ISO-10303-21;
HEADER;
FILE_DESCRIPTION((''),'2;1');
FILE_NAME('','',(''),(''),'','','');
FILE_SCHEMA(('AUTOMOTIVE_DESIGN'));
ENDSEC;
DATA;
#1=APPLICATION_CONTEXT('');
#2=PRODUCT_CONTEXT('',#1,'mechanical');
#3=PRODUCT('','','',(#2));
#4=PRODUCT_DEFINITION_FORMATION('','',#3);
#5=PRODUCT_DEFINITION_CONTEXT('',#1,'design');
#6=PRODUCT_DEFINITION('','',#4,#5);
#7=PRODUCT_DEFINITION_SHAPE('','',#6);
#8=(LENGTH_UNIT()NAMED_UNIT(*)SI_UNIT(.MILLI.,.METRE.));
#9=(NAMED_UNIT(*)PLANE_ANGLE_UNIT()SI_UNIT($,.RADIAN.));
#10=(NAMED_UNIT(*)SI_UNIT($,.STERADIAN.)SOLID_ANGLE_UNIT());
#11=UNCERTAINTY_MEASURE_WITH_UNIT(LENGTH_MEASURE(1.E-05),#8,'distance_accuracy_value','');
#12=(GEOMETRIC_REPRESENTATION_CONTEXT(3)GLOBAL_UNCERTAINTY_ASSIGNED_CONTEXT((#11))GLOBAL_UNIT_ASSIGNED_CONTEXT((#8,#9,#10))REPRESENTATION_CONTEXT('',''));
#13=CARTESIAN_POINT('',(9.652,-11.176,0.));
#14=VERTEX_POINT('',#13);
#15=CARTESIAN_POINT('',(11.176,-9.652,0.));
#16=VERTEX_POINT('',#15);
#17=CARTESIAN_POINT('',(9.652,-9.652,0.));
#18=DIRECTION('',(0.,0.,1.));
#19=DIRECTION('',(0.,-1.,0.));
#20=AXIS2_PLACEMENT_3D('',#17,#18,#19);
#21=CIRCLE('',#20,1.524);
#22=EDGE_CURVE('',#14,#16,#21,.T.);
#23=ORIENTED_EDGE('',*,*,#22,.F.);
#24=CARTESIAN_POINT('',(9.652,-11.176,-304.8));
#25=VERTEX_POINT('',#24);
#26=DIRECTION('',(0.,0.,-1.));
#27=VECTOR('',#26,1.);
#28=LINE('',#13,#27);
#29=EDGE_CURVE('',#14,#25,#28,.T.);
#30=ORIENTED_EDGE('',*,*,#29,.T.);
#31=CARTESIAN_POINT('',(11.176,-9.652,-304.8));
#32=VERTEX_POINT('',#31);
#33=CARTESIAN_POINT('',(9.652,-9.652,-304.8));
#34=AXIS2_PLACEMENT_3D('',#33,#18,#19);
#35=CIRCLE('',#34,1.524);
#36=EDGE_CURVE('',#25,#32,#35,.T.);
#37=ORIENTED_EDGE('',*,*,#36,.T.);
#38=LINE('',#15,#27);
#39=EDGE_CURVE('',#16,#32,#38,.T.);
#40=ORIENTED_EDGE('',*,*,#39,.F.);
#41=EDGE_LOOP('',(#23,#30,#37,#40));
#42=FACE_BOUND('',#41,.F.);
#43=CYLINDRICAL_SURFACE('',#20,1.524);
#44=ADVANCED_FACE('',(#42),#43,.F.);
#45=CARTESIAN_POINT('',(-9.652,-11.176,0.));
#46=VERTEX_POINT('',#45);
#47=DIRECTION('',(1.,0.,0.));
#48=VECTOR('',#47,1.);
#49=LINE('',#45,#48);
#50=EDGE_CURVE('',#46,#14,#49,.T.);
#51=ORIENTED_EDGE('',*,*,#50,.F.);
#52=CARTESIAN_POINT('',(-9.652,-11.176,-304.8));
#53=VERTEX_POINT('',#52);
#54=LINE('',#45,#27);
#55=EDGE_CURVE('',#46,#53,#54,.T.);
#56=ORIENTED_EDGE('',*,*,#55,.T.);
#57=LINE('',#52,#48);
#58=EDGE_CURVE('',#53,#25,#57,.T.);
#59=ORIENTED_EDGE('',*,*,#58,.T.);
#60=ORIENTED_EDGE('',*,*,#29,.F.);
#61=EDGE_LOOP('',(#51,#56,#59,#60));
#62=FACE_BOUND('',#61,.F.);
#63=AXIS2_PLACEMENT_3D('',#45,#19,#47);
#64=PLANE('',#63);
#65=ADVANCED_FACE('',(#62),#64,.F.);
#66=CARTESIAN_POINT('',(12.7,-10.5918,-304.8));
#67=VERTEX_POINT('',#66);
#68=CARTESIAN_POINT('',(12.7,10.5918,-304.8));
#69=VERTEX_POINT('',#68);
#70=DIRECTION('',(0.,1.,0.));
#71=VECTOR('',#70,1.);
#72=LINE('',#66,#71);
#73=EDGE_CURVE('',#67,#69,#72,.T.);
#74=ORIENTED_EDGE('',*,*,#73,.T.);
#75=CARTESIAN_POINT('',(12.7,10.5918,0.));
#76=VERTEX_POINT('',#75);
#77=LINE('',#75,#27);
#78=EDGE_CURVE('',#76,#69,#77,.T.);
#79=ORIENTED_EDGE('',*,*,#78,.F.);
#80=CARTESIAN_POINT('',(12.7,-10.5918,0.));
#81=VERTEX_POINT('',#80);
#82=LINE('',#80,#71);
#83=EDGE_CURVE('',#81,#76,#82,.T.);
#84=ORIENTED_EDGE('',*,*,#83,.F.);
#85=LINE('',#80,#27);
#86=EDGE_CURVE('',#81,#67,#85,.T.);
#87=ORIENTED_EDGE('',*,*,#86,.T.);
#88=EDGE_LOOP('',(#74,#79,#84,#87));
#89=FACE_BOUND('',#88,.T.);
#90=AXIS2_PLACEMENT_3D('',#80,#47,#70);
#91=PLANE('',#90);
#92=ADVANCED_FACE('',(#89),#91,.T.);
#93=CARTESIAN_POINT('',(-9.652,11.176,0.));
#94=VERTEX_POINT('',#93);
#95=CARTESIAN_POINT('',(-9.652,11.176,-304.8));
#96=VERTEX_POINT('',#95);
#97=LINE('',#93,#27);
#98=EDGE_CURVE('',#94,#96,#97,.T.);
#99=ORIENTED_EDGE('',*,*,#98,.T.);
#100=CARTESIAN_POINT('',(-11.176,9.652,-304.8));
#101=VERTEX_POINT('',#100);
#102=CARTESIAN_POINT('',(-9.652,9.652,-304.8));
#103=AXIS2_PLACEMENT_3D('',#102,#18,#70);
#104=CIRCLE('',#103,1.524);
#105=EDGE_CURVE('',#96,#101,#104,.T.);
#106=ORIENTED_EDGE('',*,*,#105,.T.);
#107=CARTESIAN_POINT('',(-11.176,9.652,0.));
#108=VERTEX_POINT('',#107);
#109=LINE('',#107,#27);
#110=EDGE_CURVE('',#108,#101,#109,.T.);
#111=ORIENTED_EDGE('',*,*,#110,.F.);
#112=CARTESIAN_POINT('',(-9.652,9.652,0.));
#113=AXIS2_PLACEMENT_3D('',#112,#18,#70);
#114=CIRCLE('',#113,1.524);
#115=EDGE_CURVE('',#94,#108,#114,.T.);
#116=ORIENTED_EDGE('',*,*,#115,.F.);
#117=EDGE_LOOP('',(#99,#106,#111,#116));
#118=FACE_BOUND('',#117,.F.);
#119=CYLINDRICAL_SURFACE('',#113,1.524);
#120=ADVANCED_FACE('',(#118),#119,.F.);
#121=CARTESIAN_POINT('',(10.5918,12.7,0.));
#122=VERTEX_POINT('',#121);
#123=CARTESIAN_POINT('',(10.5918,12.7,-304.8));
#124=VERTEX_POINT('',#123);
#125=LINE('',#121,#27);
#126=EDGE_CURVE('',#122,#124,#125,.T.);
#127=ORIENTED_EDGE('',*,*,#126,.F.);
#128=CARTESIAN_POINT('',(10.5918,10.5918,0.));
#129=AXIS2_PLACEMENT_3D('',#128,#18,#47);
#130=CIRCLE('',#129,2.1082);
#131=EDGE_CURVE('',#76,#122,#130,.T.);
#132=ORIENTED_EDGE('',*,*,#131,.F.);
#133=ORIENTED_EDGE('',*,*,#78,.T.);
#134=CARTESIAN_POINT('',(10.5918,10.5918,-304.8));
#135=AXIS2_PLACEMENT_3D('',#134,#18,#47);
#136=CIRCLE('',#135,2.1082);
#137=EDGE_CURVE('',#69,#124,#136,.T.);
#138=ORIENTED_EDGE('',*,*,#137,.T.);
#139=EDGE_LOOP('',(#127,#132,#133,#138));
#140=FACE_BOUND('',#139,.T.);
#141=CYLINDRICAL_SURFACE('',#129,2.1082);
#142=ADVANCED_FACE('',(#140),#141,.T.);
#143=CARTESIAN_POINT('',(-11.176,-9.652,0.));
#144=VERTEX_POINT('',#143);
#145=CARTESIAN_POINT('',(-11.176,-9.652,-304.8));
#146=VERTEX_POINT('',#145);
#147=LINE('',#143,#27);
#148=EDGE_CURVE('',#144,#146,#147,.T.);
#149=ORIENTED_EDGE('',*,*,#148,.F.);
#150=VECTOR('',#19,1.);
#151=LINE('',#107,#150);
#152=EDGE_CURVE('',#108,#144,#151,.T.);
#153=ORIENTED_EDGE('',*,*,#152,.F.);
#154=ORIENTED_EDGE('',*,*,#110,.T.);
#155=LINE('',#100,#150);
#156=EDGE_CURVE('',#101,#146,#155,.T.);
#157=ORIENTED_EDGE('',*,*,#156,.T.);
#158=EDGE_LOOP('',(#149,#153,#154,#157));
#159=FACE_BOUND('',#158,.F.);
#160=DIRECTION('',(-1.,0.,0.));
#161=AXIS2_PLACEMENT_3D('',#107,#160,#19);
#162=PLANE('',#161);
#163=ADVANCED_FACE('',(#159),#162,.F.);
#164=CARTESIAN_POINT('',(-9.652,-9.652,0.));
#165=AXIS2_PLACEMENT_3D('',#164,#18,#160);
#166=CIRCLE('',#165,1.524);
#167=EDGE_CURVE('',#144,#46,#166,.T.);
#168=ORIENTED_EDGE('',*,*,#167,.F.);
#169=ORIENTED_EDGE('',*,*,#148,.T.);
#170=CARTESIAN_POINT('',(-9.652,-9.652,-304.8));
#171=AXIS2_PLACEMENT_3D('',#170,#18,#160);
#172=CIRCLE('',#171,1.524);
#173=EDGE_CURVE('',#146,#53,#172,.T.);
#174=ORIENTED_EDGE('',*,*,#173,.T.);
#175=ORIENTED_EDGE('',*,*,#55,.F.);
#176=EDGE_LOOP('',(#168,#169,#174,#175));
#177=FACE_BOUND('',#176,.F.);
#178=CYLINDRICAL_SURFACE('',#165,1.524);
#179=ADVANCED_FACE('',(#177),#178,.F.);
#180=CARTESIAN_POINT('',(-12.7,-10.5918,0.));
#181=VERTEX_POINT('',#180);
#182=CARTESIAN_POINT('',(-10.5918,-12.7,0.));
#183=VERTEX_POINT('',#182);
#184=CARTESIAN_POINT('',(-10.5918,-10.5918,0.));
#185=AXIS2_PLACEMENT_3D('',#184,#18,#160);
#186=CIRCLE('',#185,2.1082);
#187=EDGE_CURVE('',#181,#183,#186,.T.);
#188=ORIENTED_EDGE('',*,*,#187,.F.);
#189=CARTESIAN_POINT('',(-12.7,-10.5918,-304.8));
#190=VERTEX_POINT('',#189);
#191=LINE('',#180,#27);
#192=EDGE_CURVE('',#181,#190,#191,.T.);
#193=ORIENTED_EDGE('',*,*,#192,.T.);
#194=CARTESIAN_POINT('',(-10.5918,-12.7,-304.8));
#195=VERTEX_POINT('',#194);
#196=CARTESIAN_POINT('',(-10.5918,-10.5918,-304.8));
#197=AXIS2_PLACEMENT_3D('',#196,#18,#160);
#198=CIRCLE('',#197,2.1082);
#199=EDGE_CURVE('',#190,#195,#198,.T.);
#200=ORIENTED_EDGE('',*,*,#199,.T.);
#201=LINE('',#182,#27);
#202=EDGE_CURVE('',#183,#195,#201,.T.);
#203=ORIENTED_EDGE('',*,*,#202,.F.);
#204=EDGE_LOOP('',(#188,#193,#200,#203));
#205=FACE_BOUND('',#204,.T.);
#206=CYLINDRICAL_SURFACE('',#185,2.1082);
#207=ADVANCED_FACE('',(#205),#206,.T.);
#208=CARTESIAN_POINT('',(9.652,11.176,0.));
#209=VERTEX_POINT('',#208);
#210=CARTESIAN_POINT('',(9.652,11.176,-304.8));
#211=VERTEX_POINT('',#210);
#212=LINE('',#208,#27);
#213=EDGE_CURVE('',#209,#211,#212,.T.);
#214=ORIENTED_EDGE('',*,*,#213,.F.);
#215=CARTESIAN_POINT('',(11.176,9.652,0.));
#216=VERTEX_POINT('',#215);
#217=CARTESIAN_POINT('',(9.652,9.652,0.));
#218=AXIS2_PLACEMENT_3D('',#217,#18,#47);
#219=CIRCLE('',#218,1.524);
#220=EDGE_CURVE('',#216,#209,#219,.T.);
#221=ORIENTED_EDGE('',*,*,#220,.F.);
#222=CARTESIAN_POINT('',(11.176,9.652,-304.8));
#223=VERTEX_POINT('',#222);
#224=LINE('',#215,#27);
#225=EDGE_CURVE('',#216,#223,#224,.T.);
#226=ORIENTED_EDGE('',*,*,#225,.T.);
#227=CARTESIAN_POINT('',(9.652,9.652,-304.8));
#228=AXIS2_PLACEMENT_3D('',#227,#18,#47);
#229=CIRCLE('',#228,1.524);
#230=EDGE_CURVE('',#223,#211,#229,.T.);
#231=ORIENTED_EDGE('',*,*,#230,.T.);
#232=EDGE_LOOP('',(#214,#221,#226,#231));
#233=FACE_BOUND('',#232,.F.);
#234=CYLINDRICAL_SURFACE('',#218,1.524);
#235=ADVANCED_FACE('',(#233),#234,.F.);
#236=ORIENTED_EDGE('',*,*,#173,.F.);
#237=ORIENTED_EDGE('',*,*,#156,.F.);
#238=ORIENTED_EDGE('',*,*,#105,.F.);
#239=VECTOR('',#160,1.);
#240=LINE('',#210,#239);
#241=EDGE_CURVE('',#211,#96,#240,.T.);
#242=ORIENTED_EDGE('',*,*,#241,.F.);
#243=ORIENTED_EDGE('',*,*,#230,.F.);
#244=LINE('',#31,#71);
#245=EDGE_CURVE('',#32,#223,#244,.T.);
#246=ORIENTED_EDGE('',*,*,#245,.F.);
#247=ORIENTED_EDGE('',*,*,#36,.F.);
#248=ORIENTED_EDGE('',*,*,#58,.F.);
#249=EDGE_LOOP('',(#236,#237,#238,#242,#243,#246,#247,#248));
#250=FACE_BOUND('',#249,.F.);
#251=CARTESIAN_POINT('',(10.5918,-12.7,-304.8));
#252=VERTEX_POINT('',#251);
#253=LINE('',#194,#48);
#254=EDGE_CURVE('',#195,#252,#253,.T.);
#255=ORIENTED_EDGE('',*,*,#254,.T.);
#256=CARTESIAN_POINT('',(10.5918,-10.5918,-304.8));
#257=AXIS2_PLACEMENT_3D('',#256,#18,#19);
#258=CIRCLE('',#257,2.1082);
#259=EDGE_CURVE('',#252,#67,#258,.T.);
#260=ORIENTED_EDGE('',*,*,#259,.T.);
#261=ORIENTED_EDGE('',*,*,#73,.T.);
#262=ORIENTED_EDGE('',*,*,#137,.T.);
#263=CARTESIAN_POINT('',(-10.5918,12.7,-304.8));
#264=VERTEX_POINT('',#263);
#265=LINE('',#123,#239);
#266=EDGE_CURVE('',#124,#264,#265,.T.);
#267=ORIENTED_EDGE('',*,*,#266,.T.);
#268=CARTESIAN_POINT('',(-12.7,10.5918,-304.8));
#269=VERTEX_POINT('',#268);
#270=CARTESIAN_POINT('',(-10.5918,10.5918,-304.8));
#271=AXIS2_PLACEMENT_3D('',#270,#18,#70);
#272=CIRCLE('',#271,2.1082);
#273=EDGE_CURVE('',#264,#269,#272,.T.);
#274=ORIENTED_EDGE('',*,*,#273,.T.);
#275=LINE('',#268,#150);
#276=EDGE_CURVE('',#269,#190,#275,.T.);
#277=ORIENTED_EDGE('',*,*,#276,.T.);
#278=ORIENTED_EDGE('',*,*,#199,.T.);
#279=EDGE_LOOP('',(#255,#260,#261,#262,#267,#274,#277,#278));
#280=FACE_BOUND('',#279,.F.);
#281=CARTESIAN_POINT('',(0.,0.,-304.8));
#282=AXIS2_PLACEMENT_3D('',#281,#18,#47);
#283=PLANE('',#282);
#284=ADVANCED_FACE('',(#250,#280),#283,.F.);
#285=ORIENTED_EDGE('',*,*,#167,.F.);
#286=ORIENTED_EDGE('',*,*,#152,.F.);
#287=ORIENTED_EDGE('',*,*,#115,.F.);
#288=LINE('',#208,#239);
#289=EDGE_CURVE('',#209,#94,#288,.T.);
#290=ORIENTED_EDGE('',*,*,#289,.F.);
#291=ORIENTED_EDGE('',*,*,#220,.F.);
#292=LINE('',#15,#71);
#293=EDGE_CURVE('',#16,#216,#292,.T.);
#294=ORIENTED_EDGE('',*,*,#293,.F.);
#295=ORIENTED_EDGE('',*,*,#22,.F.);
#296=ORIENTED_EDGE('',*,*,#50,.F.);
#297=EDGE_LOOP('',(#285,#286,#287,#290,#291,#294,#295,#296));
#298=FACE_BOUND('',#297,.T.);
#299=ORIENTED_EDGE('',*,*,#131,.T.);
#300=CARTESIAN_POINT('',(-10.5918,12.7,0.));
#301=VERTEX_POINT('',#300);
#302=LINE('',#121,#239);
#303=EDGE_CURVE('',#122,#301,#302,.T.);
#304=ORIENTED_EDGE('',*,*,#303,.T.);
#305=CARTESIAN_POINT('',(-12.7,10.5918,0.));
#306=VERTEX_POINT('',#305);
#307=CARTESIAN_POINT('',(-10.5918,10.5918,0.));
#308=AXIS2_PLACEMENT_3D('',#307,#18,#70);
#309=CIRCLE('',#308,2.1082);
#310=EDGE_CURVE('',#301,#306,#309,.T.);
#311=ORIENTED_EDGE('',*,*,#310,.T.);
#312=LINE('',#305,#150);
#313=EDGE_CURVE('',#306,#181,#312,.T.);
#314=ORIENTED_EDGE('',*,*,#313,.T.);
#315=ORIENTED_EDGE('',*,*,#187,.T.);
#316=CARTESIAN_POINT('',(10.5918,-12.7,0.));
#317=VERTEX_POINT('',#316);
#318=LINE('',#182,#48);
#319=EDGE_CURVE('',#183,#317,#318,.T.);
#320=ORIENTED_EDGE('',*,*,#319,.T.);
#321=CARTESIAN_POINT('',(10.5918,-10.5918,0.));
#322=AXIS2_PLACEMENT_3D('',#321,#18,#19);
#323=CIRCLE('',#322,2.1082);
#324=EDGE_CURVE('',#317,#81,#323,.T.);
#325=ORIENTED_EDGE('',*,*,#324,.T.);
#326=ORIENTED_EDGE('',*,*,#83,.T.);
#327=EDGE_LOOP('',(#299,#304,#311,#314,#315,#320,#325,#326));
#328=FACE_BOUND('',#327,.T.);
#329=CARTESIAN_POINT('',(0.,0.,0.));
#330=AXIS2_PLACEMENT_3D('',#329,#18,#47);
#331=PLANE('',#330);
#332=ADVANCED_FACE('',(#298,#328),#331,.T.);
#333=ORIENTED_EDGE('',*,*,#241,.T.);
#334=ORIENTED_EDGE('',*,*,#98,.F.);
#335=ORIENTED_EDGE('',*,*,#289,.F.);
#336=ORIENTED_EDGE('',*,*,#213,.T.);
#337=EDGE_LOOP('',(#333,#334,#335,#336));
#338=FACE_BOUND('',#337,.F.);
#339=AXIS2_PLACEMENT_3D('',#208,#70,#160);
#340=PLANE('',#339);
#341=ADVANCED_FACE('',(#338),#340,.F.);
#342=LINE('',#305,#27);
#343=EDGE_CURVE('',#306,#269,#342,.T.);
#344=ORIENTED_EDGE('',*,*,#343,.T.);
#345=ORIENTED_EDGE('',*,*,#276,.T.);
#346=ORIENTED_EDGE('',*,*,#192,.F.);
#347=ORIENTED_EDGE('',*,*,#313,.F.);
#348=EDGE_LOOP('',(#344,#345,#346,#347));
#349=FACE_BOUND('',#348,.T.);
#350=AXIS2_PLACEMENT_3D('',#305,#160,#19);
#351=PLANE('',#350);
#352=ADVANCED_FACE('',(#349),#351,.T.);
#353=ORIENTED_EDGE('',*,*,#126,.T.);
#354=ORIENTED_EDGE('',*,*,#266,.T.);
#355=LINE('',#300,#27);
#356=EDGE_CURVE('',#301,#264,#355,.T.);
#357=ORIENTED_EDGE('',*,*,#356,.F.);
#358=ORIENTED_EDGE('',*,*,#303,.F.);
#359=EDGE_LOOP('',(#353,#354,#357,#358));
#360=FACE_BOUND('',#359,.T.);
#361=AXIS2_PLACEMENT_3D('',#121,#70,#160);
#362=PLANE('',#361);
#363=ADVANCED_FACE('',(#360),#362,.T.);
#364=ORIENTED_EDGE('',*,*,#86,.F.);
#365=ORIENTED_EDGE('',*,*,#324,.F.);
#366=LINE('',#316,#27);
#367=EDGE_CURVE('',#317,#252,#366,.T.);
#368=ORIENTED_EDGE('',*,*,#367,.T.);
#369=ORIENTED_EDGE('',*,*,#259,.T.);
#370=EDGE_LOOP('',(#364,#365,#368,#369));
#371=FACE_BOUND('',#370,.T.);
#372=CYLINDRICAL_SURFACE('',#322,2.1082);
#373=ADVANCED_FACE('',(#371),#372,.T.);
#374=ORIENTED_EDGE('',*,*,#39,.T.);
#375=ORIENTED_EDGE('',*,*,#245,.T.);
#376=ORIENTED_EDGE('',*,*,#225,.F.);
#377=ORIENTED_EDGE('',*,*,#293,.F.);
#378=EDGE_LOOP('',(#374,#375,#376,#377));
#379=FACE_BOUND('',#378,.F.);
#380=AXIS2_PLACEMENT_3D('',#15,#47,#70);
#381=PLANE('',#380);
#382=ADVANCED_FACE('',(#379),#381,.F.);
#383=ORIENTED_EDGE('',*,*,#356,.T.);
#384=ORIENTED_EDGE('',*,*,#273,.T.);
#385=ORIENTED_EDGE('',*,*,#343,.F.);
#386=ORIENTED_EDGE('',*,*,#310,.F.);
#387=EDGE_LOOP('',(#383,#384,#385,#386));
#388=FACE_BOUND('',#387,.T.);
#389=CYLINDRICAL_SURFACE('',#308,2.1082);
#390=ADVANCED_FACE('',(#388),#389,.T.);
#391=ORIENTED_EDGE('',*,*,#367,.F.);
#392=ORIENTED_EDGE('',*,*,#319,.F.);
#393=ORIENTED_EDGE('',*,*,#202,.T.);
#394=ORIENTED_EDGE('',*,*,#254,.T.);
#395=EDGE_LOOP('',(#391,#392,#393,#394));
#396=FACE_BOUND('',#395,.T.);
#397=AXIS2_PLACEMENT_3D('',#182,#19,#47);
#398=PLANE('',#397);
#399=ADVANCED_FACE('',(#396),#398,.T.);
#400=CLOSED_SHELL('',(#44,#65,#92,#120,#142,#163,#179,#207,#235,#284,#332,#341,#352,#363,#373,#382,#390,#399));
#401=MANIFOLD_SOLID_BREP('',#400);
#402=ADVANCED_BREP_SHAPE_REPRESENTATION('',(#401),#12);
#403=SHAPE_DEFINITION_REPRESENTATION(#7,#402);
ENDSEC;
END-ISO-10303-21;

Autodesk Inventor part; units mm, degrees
ref_plane "YZ Plane" through (0, 0, 0) normal (1, 0, 0) x (0, 1, 0)
ref_plane "XZ Plane" through (0, 0, 0) normal (0, 1, 0) x (-1, 0, 0)
ref_plane "XY Plane" through (0, 0, 0) normal (0, 0, 1) x (1, 0, 0)
sketch "Sketch1" plane through (0, 0, 0) normal (0, 0, 1) x (1, 0, 0)
  arc A0 (11.176, 9.652) -> (9.652, 11.176) centre (9.652, 9.652) ccw
  line L0 (11.176, -9.652) -> (11.176, 9.652)
  arc A1 (9.652, -11.176) -> (11.176, -9.652) centre (9.652, -9.652) ccw
  line L1 (-9.652, -11.176) -> (9.652, -11.176)
  arc A2 (-11.176, -9.652) -> (-9.652, -11.176) centre (-9.652, -9.652) ccw
  line L2 (-11.176, 9.652) -> (-11.176, -9.652)
  arc A3 (-9.652, 11.176) -> (-11.176, 9.652) centre (-9.652, 9.652) ccw
  line L3 (9.652, 11.176) -> (-9.652, 11.176)
  arc A4 (-12.7, -10.5918) -> (-10.5918, -12.7) centre (-10.5918, -10.5918) ccw
  line L4 (-10.5918, -12.7) -> (10.5918, -12.7)
  arc A5 (10.5918, -12.7) -> (12.7, -10.5918) centre (10.5918, -10.5918) ccw
  line L5 (12.7, -10.5918) -> (12.7, 10.5918)
  arc A6 (12.7, 10.5918) -> (10.5918, 12.7) centre (10.5918, 10.5918) ccw
  line L6 (10.5918, 12.7) -> (-10.5918, 12.7)
  arc A7 (-10.5918, 12.7) -> (-12.7, 10.5918) centre (-10.5918, 10.5918) ccw
  line L7 (-12.7, 10.5918) -> (-12.7, -10.5918)
  point P0 (0, 0)
extrude "Extrusion1" add sketch "Sketch1" against normal blind 304.8
properties part number "9000"
